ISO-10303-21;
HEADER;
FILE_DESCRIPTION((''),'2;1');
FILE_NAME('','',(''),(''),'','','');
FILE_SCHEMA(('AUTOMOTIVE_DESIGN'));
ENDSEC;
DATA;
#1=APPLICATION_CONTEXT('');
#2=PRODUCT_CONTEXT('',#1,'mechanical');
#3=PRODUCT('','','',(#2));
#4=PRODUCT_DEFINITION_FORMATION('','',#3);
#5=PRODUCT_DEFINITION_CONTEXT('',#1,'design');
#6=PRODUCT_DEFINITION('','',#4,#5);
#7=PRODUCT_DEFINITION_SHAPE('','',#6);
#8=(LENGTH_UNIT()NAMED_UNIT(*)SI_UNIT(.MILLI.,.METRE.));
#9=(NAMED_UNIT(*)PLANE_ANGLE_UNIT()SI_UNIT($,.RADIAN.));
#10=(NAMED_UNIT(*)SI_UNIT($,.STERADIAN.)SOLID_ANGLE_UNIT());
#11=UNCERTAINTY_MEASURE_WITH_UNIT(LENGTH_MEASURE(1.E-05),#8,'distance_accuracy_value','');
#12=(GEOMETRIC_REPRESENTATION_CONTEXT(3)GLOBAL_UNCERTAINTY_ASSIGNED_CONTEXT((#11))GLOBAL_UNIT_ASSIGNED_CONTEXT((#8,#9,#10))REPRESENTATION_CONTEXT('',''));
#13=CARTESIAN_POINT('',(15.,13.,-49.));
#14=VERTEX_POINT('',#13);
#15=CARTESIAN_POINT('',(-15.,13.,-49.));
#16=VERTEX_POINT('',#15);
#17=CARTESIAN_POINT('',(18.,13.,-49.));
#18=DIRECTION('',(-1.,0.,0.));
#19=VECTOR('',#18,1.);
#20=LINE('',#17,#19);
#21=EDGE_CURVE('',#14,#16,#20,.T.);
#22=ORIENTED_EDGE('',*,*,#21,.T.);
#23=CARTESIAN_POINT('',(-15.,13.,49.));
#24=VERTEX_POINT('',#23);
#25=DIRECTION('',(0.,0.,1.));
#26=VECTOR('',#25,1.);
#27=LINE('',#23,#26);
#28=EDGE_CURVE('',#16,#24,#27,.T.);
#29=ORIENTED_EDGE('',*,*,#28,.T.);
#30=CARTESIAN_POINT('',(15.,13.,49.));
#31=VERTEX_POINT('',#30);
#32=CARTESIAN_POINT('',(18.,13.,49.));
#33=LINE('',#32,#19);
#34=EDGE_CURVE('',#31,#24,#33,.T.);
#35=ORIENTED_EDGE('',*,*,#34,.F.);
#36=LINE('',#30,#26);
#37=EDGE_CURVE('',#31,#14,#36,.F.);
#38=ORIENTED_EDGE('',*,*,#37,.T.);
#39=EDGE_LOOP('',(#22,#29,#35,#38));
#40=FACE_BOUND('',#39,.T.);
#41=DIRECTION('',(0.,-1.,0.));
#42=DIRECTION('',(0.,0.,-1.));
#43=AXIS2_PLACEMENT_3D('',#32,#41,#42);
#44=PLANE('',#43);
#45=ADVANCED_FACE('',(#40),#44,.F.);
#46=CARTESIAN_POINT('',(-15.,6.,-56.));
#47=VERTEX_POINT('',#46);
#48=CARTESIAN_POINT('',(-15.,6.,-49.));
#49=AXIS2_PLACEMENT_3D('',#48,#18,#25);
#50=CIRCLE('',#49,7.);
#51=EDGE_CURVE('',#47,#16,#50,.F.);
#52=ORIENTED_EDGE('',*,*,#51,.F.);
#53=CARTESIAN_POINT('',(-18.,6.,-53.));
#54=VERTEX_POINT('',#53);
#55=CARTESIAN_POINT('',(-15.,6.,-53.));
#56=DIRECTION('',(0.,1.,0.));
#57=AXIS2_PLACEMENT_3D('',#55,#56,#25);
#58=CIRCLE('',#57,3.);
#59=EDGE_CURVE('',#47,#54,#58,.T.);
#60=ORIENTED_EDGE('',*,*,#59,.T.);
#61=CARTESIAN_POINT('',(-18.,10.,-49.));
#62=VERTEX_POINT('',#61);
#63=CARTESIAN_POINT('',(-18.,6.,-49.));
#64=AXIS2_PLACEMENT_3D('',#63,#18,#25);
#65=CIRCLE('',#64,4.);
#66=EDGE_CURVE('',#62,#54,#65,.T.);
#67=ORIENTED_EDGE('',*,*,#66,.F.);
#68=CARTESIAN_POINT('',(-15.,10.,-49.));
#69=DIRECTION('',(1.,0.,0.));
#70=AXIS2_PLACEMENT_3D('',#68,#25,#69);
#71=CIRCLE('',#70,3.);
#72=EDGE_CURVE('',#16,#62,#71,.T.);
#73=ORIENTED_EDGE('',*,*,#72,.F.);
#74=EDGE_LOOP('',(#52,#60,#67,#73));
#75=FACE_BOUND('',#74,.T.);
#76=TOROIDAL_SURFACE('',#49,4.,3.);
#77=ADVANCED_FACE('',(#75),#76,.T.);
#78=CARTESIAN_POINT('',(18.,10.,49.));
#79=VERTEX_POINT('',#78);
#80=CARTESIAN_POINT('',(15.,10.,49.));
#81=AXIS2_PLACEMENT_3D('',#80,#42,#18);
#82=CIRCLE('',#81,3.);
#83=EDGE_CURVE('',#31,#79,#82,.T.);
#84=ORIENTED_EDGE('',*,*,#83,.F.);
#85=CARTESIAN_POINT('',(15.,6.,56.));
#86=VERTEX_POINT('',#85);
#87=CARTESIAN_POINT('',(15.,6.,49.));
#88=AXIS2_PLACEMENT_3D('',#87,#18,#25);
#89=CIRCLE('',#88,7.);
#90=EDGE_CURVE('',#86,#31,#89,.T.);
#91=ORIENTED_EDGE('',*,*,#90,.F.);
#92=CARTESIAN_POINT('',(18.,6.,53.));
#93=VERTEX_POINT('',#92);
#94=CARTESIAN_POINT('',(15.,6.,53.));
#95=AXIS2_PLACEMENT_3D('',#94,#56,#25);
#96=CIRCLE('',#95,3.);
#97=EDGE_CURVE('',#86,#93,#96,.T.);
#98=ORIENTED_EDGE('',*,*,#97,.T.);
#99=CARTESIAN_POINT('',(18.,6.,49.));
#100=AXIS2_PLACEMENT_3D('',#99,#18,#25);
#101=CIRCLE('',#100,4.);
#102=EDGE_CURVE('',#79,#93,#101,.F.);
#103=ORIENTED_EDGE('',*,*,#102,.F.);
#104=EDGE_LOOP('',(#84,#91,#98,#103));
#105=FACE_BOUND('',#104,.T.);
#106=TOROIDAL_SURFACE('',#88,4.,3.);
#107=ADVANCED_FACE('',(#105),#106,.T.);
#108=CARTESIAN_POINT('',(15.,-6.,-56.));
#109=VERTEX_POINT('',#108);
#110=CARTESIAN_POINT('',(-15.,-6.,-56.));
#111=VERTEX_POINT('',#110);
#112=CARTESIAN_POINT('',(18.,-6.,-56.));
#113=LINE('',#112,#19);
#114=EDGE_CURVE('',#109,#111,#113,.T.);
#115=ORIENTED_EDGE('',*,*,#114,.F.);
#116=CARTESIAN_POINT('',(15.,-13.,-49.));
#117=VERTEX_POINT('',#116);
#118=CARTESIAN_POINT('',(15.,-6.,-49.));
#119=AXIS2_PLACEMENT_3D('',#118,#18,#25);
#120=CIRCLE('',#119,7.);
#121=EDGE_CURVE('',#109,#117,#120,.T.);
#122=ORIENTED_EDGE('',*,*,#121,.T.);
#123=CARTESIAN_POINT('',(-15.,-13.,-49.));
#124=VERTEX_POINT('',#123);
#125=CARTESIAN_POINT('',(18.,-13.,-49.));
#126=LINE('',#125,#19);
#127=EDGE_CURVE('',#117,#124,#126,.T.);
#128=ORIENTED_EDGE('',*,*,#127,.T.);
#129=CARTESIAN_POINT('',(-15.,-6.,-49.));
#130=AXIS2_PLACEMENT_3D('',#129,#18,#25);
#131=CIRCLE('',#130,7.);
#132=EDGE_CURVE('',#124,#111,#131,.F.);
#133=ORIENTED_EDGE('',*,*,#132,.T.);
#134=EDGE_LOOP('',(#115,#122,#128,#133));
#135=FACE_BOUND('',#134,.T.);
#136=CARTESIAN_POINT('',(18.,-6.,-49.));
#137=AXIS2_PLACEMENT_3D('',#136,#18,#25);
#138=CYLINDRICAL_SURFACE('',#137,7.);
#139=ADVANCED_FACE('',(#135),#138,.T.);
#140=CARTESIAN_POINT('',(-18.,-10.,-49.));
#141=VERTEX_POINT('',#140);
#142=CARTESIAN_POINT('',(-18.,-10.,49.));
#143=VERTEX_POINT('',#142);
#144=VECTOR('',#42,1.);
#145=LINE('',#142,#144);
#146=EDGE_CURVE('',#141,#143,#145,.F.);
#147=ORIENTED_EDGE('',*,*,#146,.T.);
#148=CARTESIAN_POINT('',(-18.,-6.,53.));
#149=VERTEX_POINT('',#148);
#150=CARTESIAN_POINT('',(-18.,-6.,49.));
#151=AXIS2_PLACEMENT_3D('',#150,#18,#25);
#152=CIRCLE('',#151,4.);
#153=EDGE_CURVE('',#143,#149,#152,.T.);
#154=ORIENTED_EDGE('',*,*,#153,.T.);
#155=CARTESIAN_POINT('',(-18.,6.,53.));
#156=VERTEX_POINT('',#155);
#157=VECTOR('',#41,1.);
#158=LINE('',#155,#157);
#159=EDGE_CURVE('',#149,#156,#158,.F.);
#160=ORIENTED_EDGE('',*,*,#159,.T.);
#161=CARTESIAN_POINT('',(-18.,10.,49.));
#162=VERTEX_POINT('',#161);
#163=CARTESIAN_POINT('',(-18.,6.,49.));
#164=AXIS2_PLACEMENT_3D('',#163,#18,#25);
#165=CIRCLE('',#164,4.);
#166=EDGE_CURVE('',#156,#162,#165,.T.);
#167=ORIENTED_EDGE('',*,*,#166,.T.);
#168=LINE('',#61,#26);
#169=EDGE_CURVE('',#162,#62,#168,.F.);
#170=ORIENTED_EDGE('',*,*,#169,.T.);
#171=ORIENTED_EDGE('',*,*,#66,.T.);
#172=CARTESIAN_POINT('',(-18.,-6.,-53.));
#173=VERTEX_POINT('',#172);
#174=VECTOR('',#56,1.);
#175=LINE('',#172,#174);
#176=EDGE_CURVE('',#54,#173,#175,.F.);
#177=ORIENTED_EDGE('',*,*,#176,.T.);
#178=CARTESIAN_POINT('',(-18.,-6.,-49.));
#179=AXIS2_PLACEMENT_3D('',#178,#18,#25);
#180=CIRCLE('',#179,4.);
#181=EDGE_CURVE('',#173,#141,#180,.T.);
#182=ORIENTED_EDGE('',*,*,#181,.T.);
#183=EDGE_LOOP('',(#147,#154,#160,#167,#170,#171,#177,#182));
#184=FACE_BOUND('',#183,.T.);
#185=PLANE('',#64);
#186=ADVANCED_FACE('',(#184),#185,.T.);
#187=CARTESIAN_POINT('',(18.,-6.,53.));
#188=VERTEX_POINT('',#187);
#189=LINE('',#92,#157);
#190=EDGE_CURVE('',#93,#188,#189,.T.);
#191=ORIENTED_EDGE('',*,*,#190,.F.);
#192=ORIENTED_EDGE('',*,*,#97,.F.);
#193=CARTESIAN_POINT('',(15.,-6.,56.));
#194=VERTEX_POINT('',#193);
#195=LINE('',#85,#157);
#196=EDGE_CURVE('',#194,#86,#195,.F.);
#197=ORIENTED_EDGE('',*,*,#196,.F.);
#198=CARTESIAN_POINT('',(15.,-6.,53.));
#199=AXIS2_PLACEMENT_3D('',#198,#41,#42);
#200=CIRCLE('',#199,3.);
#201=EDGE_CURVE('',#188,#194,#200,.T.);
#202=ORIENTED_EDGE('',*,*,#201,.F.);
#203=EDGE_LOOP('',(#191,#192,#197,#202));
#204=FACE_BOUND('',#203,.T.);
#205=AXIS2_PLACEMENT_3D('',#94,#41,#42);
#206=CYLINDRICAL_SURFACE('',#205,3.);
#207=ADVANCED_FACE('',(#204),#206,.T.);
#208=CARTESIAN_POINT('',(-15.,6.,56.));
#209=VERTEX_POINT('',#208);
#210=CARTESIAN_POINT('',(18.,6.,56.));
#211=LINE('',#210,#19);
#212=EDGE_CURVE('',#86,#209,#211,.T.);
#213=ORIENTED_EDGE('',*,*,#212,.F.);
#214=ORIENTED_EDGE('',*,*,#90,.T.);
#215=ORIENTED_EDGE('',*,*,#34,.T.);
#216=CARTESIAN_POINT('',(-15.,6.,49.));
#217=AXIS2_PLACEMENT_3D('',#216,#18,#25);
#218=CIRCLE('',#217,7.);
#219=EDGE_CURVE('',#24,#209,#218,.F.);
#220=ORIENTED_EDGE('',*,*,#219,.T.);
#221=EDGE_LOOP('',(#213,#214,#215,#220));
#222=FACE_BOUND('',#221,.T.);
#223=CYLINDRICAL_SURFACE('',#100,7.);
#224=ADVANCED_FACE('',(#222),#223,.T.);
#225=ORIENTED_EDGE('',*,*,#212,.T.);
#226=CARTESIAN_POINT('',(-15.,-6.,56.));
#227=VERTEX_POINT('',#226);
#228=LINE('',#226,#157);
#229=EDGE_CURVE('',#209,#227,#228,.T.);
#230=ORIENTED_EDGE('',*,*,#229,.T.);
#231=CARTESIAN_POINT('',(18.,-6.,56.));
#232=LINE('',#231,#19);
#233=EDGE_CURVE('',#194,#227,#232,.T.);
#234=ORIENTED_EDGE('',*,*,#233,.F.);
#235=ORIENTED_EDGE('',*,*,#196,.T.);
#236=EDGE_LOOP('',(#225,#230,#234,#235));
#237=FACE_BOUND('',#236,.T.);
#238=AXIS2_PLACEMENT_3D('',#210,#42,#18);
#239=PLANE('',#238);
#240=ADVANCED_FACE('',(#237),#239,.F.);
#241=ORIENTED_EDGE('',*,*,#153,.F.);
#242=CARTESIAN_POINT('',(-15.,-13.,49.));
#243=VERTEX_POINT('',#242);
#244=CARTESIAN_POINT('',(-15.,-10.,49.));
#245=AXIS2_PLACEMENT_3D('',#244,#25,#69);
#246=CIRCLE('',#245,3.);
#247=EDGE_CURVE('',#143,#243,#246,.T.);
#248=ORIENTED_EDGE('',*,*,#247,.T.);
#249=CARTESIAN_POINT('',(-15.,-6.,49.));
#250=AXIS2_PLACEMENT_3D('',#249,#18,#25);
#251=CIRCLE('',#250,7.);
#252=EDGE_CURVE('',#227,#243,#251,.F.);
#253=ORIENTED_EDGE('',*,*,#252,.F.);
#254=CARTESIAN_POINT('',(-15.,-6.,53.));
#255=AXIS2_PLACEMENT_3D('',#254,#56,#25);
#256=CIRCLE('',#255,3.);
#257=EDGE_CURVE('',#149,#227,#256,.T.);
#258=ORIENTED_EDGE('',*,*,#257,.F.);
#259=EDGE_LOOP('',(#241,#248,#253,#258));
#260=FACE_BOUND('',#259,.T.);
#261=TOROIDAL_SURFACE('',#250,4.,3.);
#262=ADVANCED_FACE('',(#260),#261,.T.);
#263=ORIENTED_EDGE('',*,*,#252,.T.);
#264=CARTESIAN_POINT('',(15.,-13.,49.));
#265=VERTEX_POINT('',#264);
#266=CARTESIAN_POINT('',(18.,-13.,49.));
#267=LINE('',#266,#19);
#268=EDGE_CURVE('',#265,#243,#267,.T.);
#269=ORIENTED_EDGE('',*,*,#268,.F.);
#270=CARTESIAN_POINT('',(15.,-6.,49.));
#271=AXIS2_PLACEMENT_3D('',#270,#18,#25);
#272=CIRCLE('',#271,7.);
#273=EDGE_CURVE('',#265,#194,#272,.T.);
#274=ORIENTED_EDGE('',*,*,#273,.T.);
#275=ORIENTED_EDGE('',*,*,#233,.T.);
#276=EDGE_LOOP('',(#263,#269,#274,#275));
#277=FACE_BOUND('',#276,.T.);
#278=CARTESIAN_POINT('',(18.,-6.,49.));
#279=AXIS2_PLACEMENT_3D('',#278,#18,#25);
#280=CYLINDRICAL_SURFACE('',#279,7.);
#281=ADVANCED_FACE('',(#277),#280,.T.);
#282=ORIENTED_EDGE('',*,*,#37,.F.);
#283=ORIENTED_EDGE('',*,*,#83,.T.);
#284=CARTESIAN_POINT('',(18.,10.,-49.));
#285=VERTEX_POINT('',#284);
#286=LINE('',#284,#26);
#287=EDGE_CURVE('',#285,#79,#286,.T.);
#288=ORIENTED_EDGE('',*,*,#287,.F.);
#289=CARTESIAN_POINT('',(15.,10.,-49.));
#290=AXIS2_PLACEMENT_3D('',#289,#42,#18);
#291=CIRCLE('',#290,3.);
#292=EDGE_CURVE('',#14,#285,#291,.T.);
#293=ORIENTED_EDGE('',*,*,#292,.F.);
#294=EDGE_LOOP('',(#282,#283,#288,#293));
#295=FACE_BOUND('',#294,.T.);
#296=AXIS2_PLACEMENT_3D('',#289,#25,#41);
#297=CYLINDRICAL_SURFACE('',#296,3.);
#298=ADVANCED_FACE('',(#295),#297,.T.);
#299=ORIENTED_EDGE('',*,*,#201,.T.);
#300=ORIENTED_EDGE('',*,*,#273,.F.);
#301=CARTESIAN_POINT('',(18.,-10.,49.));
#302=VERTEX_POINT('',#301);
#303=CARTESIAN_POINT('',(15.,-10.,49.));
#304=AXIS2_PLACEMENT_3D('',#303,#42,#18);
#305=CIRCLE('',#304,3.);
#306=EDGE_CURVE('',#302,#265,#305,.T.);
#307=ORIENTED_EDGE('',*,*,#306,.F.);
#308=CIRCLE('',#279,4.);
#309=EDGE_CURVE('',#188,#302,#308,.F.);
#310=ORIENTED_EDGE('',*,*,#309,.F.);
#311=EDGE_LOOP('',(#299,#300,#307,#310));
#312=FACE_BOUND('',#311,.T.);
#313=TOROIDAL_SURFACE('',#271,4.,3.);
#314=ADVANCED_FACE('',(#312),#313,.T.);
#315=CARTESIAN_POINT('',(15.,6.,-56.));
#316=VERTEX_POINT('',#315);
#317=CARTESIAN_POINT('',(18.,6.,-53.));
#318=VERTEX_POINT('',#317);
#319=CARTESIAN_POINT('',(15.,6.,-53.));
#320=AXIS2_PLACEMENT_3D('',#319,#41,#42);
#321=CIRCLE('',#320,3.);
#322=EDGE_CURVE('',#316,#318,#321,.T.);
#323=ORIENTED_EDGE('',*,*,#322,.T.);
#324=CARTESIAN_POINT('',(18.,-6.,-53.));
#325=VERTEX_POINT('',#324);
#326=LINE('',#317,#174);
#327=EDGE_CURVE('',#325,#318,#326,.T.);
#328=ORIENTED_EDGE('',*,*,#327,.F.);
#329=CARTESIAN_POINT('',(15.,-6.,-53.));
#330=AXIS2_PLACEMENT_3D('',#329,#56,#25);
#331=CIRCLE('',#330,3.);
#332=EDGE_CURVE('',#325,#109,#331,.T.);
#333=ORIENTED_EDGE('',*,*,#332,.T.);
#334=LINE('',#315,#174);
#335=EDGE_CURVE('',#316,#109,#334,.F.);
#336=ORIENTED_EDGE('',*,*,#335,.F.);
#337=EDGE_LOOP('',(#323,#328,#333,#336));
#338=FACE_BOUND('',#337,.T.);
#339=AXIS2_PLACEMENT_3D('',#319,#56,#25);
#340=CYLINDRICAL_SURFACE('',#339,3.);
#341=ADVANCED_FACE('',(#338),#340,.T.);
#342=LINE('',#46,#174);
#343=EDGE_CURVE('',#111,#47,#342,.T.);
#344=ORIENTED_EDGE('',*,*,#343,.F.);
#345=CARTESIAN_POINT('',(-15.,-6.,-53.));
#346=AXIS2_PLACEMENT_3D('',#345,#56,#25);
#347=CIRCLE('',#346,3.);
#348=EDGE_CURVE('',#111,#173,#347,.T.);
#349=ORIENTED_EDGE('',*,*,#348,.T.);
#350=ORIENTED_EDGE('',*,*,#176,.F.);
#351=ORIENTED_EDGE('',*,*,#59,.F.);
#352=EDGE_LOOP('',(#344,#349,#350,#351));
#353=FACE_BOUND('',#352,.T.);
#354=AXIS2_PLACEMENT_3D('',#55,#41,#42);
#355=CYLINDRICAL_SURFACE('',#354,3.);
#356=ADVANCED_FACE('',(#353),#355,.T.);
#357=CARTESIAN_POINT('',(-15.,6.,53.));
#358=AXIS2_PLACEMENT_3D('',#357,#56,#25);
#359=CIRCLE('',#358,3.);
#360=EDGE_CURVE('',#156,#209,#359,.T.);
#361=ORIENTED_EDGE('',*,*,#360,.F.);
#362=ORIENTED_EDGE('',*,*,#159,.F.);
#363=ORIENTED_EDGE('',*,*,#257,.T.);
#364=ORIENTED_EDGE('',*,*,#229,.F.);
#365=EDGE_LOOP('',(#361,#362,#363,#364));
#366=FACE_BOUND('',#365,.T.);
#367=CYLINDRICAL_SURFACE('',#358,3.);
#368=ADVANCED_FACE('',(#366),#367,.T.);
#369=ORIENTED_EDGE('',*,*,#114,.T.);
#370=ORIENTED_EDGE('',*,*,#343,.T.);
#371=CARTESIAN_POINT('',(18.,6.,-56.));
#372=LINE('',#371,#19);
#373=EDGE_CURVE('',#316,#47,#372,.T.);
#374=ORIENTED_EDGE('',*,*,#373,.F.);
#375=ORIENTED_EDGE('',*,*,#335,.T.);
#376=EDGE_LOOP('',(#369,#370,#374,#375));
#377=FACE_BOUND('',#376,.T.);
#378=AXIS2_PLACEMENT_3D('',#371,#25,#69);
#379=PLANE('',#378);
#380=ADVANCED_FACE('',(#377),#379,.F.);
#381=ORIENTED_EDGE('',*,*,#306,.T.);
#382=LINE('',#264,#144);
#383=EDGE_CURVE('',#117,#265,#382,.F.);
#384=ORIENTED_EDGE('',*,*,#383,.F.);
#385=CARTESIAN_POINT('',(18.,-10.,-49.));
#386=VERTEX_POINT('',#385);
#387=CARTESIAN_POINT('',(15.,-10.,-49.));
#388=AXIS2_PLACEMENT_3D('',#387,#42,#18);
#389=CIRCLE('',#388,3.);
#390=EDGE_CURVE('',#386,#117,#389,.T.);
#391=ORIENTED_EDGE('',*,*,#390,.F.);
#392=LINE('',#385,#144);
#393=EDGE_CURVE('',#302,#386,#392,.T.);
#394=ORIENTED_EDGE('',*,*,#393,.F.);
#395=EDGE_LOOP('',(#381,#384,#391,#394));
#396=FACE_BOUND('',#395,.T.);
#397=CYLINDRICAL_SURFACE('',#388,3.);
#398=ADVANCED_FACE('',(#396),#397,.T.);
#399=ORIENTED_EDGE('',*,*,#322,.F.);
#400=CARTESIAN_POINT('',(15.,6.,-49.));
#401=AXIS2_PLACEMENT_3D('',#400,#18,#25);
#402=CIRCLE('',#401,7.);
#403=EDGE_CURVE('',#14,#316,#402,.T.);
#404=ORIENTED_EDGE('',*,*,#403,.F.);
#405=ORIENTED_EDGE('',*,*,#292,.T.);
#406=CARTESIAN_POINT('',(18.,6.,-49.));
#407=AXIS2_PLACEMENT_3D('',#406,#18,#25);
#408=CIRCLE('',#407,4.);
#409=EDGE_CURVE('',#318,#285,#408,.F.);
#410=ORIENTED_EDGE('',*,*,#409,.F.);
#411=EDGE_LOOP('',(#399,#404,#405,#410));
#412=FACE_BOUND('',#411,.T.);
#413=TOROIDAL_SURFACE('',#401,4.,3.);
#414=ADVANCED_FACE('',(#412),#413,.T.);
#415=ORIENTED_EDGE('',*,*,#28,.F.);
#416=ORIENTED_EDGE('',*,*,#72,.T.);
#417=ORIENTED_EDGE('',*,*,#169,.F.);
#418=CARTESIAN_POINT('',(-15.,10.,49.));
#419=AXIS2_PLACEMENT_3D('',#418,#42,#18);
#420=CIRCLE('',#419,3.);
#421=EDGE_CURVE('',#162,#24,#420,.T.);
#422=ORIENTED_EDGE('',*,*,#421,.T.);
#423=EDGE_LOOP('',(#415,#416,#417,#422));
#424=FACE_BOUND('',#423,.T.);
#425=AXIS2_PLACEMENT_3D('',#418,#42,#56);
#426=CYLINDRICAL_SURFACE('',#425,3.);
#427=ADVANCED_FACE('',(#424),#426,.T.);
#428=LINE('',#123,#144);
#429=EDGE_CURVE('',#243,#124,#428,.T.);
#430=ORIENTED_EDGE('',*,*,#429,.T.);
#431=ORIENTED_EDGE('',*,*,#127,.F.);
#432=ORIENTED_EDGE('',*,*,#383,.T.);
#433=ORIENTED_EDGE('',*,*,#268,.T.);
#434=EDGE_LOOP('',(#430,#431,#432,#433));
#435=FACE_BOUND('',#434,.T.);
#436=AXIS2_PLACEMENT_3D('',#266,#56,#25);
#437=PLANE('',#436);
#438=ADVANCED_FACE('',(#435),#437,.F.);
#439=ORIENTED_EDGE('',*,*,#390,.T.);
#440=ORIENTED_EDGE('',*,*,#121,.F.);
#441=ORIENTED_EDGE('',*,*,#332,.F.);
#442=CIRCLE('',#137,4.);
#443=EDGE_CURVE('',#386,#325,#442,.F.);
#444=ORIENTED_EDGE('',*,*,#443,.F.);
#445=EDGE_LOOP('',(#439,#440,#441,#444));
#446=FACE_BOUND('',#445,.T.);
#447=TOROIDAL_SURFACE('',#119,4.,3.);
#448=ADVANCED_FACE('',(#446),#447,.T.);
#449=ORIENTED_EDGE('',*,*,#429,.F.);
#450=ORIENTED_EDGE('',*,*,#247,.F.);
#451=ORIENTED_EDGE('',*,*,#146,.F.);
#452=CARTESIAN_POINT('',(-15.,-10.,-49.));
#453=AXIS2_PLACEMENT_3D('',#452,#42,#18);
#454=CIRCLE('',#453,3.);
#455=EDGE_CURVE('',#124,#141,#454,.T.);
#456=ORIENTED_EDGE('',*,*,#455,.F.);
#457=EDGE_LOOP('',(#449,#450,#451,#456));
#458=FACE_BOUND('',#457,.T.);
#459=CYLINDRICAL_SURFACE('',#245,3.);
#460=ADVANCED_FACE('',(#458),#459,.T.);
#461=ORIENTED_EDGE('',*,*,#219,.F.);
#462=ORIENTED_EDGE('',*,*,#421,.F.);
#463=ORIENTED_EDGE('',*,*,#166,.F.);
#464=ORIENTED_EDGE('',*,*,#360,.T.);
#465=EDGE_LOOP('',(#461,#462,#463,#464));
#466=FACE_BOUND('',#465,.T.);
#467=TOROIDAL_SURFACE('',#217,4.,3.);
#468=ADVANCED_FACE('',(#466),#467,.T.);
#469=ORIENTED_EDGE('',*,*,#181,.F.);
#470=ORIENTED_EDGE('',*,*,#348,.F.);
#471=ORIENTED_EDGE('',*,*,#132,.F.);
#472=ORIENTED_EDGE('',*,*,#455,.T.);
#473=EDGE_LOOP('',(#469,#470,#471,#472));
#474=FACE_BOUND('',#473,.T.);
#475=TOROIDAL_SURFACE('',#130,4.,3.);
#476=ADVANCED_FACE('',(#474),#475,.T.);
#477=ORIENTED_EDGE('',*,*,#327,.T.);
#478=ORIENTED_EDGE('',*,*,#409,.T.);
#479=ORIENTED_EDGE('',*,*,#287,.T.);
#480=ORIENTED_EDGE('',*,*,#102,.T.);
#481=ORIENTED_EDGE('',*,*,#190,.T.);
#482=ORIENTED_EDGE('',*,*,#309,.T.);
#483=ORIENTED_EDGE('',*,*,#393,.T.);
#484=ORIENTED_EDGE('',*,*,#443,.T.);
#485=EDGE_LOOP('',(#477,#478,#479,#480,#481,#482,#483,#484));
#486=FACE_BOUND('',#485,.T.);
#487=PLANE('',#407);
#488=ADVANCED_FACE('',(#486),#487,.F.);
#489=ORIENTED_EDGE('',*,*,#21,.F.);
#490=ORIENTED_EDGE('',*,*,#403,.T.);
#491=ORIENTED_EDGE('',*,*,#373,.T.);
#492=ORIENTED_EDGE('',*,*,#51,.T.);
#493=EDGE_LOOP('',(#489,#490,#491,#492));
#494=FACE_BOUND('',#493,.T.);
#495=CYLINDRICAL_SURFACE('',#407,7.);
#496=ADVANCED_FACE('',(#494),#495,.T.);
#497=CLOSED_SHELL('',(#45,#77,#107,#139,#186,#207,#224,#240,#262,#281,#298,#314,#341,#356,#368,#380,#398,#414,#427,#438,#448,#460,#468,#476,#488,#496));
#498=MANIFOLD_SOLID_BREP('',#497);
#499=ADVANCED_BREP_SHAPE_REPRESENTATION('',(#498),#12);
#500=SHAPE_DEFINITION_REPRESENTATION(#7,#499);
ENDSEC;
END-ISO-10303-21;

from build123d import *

# Parameters (mm, degrees)
BOSS_EXTRUDE1_DEPTH = 18
FILLET1_R           = 3


with BuildPart() as part:
    # Sketch1 → Boss-Extrude1 (new, symmetric)
    with BuildSketch(Plane(origin=(0, 0, 0), x_dir=(0, 0, -1), z_dir=(1, 0, 0))):
        with BuildLine():
            Line((-49, 13), (49, 13))
            ThreePointArc((49, 13), (53.949747468, 10.949747468), (56, 6))
            Line((56, 6), (56, -6))
            ThreePointArc((56, -6), (53.949747468, -10.949747468), (49, -13))
            Line((49, -13), (-49, -13))
            ThreePointArc((-49, -13), (-53.949747468, -10.949747468), (-56, -6))
            Line((-56, -6), (-56, 6))
            ThreePointArc((-56, 6), (-53.949747468, 10.949747468), (-49, 13))
        make_face()
    extrude(amount=BOSS_EXTRUDE1_DEPTH, both=True)

    # Fillet1
    fillet1_edges = [part.edges().sort_by_distance(p)[0] for p in [
        (18, 10.949747468, 53.949747468),
        (-18, 13, 0),
        (-18, 10.949747468, -53.949747468),
        (18, 0, 56),
        (18, -10.949747468, 53.949747468),
        (18, -13, 0),
        (18, -10.949747468, -53.949747468),
        (18, 0, -56),
        (18, 10.949747468, -53.949747468),
        (18, 13, 0),
        (-18, 0, -56),
        (-18, -10.949747468, -53.949747468),
        (-18, -13, 0),
        (-18, -10.949747468, 53.949747468),
        (-18, 0, 56),
        (-18, 10.949747468, 53.949747468),
    ]]
    fillet(fillet1_edges, radius=FILLET1_R)


solid = part.part
